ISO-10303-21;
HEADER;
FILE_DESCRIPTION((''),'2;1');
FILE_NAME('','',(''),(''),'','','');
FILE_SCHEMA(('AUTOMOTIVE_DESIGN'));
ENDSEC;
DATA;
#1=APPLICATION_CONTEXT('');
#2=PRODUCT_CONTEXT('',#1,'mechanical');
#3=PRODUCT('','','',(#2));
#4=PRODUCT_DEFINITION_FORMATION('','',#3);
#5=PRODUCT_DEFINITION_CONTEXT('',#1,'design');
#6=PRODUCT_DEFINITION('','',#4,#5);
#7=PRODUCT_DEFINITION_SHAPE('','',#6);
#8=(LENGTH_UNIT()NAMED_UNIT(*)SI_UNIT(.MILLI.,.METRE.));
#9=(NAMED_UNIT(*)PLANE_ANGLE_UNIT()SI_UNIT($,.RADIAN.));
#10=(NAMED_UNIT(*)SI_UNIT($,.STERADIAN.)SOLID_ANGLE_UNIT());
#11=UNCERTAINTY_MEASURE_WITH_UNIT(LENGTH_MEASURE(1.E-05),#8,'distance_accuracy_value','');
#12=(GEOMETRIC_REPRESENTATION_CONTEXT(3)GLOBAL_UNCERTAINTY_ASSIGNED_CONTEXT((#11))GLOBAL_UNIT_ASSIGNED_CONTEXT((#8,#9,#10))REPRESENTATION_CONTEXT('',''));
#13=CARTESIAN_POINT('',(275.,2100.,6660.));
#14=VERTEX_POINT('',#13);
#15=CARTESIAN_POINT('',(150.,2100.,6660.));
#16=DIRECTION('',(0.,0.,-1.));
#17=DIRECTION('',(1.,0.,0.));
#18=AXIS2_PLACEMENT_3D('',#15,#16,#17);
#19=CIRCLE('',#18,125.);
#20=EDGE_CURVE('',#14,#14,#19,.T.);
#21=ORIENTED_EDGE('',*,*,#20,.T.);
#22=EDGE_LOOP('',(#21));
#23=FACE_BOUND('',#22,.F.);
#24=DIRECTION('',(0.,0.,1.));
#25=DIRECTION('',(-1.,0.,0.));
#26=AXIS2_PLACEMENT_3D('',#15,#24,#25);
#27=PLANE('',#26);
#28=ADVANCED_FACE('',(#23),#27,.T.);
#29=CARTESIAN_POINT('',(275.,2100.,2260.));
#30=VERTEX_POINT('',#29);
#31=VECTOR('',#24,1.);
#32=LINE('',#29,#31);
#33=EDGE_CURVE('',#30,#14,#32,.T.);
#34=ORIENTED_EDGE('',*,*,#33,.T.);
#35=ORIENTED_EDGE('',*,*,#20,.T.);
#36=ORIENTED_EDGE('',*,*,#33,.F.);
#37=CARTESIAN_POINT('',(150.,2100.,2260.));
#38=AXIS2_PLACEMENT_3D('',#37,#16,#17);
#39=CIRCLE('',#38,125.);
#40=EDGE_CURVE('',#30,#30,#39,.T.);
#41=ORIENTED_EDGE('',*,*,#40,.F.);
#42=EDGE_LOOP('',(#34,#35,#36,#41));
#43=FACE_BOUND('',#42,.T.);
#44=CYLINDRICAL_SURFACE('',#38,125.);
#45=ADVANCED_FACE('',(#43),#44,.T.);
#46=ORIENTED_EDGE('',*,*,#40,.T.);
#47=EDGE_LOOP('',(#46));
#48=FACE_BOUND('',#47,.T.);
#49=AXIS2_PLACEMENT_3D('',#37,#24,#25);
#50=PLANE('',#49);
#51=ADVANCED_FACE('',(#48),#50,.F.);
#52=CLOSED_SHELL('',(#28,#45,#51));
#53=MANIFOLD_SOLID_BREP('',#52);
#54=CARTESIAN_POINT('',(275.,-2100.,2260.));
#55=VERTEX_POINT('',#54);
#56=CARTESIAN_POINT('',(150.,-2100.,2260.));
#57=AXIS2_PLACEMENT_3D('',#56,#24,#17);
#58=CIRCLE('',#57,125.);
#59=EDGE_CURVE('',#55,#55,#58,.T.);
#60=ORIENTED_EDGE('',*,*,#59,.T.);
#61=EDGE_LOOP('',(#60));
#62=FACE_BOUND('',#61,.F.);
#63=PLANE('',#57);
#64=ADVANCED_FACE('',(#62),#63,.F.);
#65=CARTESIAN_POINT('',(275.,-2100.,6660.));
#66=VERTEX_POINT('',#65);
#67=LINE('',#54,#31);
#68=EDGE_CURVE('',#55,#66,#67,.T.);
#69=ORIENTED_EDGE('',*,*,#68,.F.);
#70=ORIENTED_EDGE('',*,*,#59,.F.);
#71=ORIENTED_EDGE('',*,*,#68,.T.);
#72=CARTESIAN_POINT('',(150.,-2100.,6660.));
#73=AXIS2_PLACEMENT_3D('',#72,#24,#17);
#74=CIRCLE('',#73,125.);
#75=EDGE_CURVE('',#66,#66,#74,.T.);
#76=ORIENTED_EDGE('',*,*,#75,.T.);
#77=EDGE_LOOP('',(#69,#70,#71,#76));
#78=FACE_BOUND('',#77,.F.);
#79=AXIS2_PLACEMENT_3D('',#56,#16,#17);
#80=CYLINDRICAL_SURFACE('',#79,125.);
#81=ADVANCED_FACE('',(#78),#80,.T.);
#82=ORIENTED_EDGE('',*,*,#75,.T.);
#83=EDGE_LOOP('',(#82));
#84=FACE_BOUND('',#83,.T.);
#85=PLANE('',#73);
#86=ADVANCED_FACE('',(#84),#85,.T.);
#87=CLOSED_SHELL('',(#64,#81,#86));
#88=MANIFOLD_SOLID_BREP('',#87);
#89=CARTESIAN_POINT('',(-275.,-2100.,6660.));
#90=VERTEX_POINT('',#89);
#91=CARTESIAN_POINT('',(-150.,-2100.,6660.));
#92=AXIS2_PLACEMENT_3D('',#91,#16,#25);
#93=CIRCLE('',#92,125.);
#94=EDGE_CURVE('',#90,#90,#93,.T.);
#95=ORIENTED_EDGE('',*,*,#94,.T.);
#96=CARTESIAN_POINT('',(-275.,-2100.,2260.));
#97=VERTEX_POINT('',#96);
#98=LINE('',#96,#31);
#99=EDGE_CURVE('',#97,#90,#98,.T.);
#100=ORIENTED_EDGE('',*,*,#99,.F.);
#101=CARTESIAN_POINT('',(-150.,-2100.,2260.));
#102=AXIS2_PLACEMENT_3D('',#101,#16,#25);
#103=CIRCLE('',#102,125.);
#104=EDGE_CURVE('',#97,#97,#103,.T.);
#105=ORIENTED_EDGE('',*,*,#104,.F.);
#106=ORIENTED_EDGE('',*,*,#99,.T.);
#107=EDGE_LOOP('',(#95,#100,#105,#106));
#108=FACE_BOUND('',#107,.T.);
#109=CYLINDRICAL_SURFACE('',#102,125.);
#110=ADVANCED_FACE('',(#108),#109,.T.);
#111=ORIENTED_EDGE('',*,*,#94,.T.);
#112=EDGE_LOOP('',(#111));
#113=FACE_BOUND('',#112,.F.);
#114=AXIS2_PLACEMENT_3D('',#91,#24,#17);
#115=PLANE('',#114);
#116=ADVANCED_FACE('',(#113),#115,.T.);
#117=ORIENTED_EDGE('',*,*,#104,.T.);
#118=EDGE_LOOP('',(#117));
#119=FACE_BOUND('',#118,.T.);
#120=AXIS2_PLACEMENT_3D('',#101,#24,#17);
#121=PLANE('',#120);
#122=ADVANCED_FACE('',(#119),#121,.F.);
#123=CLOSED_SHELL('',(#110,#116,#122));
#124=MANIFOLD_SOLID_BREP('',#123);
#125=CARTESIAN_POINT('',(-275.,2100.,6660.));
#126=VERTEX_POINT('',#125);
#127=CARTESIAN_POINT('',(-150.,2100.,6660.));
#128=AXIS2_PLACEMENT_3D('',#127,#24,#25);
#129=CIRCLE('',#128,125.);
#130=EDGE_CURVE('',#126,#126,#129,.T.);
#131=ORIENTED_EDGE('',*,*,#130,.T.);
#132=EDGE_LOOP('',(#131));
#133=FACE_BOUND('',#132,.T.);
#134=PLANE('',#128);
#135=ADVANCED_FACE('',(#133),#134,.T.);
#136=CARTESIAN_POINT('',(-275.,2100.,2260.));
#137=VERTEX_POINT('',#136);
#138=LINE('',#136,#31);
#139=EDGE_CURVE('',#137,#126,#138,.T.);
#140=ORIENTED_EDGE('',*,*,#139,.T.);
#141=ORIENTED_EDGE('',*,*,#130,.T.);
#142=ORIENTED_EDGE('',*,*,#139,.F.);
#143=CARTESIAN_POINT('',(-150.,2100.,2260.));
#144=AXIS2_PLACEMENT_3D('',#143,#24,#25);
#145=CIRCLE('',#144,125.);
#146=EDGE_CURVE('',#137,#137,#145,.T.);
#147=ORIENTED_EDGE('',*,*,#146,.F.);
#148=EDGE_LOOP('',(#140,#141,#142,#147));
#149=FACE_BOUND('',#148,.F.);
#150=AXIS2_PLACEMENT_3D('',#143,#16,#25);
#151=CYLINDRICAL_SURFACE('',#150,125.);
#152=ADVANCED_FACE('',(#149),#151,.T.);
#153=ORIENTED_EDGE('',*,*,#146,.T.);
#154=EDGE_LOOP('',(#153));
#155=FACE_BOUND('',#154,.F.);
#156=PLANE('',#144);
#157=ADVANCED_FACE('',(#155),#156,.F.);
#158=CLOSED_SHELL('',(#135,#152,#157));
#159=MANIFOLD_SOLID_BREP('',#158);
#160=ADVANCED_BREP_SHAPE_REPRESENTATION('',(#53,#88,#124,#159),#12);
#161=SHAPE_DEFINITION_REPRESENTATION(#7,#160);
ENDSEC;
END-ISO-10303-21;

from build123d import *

# Parameters (mm, degrees)
F1_R     = 125
F2_DEPTH = 4400


with BuildPart() as f2:
    # F1 (on offset) → F2 (new body)
    with BuildSketch(Plane.XY.offset(2260)):
        with Locations((150, -2100)):
            Circle(F1_R)
    extrude(amount=F2_DEPTH)


with BuildPart() as f3_1:
    # F3: instance of F2
    add(f2.part.mirror(Plane.YZ))


with BuildPart() as f4_1:
    # F4: instance of F2
    add(f2.part.mirror(Plane.XZ))


with BuildPart() as f4_2:
    # F4: instance of F3_1
    add(f3_1.part.mirror(Plane.XZ))


solid = Compound([f2.part, f3_1.part, f4_1.part, f4_2.part])
